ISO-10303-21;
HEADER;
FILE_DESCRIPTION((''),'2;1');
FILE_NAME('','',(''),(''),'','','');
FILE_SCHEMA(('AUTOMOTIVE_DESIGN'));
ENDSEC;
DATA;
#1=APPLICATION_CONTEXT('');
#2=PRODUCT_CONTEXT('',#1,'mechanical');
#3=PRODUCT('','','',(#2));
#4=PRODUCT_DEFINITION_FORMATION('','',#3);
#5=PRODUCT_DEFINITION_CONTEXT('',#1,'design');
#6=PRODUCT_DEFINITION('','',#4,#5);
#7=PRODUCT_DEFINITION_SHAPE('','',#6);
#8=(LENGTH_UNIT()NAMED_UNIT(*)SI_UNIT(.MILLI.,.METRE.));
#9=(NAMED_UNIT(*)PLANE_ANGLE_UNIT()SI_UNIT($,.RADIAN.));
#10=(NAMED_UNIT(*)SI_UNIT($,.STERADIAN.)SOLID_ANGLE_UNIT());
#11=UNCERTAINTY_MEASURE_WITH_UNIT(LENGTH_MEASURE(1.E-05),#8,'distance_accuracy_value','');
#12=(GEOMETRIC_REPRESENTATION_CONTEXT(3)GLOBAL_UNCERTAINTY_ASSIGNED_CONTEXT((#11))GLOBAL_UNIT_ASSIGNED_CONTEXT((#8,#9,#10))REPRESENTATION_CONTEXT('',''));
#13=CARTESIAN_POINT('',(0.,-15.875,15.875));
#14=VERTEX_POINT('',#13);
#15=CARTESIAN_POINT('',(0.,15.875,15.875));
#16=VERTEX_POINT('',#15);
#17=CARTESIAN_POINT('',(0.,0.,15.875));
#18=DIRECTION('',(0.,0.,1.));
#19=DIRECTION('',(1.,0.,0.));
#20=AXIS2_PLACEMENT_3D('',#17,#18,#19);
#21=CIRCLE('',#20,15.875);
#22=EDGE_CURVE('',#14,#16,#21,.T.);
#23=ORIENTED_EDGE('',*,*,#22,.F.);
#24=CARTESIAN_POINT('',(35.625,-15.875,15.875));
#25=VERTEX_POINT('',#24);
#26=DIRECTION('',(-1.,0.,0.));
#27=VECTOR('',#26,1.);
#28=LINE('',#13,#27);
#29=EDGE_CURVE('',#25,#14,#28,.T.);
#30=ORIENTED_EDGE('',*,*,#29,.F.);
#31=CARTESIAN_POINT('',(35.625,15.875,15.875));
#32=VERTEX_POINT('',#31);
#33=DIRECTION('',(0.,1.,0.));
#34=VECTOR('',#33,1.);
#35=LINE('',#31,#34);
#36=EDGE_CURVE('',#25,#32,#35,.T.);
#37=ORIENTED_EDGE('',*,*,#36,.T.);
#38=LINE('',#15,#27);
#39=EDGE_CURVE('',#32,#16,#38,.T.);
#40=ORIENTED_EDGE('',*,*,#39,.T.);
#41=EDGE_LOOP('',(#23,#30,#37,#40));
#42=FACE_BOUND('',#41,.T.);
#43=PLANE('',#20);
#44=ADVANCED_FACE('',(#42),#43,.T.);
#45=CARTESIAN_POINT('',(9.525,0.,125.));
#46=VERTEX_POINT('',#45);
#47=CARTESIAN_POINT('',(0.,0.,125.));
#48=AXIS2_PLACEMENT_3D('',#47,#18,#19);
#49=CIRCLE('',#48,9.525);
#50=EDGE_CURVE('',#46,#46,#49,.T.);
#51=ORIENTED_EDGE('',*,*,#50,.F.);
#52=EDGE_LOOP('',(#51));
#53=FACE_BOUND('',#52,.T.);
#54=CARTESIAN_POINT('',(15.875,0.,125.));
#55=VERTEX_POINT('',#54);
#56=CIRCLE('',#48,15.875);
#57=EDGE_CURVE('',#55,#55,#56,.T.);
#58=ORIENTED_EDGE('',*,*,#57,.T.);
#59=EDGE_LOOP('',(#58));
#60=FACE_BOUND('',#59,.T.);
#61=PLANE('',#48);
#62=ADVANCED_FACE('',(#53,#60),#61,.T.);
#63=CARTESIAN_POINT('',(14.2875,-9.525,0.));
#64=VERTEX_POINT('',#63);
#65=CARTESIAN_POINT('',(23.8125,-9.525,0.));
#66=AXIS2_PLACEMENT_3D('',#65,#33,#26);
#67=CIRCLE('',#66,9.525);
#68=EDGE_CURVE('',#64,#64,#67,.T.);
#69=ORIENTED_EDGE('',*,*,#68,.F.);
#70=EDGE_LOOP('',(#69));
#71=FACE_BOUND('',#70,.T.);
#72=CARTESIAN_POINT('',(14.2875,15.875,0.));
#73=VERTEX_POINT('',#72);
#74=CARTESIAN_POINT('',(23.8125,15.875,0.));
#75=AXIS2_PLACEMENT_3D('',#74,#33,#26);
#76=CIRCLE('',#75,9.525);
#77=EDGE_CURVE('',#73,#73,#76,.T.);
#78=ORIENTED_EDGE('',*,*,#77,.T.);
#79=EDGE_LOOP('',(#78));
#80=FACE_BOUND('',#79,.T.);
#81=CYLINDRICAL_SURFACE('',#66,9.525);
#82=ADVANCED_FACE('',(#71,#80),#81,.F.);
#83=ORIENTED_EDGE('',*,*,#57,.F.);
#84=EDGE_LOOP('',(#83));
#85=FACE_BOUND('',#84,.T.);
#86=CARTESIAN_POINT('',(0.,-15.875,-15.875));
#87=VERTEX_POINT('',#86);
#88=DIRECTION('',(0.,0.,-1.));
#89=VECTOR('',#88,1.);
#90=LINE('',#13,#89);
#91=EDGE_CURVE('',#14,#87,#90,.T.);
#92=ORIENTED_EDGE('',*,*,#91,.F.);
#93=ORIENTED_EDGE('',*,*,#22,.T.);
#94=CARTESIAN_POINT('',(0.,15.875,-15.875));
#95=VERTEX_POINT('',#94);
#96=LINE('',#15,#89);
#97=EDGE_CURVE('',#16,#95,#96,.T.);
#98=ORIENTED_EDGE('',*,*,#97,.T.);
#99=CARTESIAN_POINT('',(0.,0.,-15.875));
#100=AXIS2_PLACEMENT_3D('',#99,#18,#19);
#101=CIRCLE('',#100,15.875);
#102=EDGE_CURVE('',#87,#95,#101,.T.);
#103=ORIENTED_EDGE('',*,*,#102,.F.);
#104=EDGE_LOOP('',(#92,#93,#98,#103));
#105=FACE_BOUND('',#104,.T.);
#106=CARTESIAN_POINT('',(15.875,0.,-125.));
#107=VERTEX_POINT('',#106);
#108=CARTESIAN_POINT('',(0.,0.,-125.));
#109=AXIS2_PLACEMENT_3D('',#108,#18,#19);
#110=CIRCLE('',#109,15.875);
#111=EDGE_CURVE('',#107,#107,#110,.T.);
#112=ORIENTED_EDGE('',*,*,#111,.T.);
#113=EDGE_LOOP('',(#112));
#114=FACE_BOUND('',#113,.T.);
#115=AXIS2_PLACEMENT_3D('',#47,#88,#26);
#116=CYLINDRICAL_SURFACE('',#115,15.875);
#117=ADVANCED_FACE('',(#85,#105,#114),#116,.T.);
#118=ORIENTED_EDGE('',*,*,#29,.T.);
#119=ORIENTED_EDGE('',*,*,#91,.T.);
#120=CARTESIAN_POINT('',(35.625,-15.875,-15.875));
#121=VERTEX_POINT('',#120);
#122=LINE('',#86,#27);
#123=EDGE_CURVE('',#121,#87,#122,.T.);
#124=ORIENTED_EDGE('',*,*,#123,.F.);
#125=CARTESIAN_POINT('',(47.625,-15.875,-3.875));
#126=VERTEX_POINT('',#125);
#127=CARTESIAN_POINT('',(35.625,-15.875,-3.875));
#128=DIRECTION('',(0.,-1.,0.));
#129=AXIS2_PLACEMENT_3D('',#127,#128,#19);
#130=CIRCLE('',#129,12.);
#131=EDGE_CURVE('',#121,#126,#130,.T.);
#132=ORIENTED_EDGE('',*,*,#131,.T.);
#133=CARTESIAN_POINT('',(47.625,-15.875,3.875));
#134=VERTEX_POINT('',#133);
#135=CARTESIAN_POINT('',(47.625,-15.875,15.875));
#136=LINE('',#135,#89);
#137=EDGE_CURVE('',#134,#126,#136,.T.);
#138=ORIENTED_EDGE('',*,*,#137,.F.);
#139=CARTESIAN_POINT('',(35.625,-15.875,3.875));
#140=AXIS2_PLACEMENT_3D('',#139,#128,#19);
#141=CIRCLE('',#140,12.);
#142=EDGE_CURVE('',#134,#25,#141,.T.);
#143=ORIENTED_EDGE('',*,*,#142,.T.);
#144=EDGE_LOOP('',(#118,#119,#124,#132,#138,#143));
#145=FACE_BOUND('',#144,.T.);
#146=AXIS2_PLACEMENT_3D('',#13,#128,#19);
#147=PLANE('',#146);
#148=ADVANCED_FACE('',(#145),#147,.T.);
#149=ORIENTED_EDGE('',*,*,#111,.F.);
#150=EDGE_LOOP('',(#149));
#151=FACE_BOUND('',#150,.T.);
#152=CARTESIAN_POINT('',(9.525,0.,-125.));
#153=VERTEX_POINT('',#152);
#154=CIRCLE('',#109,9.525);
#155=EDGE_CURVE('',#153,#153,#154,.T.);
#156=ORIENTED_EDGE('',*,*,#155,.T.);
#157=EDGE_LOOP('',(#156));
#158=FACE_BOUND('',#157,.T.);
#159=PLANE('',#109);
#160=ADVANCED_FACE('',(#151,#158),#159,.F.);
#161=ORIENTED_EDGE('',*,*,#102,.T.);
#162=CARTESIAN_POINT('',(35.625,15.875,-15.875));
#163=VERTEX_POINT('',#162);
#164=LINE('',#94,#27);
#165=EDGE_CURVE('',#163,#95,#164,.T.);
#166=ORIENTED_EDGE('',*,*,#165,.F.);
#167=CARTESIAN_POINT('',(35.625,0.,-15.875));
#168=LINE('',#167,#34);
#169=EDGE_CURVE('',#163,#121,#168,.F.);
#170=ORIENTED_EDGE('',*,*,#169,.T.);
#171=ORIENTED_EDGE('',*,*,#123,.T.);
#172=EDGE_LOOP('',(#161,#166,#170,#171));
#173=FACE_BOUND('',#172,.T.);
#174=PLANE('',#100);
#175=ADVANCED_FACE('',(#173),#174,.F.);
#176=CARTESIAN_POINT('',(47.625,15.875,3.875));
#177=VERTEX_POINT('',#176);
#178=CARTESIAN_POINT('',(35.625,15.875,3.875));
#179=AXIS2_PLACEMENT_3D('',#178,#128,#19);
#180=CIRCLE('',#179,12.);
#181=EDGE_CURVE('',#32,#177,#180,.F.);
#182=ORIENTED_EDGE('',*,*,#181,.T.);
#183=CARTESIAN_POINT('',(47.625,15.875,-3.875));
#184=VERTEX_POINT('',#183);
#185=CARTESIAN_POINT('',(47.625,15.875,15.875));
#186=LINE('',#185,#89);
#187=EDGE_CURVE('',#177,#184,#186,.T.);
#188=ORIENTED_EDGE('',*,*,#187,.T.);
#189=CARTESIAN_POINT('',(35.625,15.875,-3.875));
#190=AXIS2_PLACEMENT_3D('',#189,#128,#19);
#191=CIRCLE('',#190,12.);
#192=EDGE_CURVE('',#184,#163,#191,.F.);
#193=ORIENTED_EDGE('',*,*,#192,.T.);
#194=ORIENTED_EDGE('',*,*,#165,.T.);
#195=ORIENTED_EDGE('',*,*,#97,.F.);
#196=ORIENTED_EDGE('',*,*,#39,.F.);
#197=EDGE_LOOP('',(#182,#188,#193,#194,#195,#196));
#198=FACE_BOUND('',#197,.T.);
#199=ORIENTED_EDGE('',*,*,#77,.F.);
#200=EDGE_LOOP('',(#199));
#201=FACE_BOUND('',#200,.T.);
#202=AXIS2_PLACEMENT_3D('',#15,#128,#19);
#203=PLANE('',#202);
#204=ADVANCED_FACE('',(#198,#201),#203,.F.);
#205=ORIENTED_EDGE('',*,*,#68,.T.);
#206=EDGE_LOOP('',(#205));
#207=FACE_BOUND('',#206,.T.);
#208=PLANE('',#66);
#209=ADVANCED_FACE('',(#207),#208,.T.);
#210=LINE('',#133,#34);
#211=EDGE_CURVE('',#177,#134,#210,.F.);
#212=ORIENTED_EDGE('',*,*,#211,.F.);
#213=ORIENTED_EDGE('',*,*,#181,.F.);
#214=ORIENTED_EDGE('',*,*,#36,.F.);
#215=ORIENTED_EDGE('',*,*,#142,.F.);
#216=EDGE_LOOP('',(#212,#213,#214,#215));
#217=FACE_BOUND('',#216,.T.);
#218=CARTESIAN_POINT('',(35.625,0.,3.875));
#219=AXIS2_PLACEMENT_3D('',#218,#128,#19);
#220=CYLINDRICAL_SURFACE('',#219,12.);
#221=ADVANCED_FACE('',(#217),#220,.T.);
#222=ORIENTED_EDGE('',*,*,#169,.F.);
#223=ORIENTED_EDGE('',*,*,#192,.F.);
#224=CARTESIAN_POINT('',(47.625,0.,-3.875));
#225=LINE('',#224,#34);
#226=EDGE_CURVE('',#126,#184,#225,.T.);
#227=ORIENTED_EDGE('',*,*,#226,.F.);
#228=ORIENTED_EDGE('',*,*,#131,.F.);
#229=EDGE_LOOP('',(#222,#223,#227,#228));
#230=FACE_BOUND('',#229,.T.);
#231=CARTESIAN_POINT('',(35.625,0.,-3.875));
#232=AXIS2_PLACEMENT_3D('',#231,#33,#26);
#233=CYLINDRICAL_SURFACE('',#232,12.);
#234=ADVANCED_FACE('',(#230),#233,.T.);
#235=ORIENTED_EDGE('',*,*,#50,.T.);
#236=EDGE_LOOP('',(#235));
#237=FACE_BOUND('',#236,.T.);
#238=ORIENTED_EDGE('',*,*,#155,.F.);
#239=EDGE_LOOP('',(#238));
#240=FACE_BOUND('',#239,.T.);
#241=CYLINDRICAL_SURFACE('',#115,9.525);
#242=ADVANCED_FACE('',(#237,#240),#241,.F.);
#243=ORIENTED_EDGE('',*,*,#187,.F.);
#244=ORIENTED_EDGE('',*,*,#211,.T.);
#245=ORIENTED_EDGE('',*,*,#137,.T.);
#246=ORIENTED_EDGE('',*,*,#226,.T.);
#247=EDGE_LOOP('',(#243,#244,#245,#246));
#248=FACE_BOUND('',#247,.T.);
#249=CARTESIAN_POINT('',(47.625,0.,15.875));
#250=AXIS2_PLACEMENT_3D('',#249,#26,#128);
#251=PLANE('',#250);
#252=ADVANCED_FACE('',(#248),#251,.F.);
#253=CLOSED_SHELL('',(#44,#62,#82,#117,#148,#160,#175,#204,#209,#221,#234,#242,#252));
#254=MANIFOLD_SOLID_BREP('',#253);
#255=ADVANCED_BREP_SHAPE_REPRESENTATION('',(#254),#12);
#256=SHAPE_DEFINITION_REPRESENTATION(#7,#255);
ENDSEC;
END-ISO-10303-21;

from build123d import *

# Parameters (mm, degrees)
SKETCH1_R           = 9.525
BOSS_EXTRUDE1_DEPTH = 125
BOSS_EXTRUDE2_DEPTH = 15.875
SKETCH2_R           = 9.525
CUT_EXTRUDE1_DEPTH  = 25.4
FILLET1_R           = 12


with BuildPart() as part:
    # Sketch1 → Boss-Extrude1 (new, symmetric)
    with BuildSketch(Plane.XY):
        with BuildLine():
            ThreePointArc((9.7e-16, 15.875), (-15.875, 1.94e-15), (-2.92e-15, -15.875))
            ThreePointArc((-2.92e-15, -15.875), (11.225320151336438, -11.225320151336444), (15.875, -3.89e-15))
            ThreePointArc((15.875, 0), (11.225320151336442, 11.22532015133644), (9.7e-16, 15.875))
        make_face()
        Circle(SKETCH1_R, mode=Mode.SUBTRACT)
    extrude(amount=BOSS_EXTRUDE1_DEPTH, both=True)

    # Sketch1<3> → Boss-Extrude2 (add, symmetric)
    with BuildSketch(Plane.XY):
        with BuildLine():
            ThreePointArc((0, 15.875), (15.875, 9.7e-16), (1.94e-15, -15.875))
            Line((0, -15.875), (47.625, -15.874999999999996))
            Line((47.625, -15.874999999999996), (47.62499999999999, 15.874999999999996))
            Line((47.62499999999999, 15.874999999999996), (0, 15.875))
        make_face()
    extrude(amount=BOSS_EXTRUDE2_DEPTH, both=True)

    # Sketch2 → Cut-Extrude1 (cut)
    with BuildSketch(Plane(origin=(1.16e-15, 15.875, 0), x_dir=(1, -7e-17, 0), z_dir=(7e-17, 1, 0))):
        with Locations((23.8125, 0)):
            Circle(SKETCH2_R)
    extrude(amount=-CUT_EXTRUDE1_DEPTH, mode=Mode.SUBTRACT)

    # Fillet1
    fillet1_edges = [part.edges().sort_by_distance(p)[0] for p in [
        (47.625, 0, -15.875),
        (47.625, 0, 15.875),
    ]]
    fillet(fillet1_edges, radius=FILLET1_R)


solid = part.part
